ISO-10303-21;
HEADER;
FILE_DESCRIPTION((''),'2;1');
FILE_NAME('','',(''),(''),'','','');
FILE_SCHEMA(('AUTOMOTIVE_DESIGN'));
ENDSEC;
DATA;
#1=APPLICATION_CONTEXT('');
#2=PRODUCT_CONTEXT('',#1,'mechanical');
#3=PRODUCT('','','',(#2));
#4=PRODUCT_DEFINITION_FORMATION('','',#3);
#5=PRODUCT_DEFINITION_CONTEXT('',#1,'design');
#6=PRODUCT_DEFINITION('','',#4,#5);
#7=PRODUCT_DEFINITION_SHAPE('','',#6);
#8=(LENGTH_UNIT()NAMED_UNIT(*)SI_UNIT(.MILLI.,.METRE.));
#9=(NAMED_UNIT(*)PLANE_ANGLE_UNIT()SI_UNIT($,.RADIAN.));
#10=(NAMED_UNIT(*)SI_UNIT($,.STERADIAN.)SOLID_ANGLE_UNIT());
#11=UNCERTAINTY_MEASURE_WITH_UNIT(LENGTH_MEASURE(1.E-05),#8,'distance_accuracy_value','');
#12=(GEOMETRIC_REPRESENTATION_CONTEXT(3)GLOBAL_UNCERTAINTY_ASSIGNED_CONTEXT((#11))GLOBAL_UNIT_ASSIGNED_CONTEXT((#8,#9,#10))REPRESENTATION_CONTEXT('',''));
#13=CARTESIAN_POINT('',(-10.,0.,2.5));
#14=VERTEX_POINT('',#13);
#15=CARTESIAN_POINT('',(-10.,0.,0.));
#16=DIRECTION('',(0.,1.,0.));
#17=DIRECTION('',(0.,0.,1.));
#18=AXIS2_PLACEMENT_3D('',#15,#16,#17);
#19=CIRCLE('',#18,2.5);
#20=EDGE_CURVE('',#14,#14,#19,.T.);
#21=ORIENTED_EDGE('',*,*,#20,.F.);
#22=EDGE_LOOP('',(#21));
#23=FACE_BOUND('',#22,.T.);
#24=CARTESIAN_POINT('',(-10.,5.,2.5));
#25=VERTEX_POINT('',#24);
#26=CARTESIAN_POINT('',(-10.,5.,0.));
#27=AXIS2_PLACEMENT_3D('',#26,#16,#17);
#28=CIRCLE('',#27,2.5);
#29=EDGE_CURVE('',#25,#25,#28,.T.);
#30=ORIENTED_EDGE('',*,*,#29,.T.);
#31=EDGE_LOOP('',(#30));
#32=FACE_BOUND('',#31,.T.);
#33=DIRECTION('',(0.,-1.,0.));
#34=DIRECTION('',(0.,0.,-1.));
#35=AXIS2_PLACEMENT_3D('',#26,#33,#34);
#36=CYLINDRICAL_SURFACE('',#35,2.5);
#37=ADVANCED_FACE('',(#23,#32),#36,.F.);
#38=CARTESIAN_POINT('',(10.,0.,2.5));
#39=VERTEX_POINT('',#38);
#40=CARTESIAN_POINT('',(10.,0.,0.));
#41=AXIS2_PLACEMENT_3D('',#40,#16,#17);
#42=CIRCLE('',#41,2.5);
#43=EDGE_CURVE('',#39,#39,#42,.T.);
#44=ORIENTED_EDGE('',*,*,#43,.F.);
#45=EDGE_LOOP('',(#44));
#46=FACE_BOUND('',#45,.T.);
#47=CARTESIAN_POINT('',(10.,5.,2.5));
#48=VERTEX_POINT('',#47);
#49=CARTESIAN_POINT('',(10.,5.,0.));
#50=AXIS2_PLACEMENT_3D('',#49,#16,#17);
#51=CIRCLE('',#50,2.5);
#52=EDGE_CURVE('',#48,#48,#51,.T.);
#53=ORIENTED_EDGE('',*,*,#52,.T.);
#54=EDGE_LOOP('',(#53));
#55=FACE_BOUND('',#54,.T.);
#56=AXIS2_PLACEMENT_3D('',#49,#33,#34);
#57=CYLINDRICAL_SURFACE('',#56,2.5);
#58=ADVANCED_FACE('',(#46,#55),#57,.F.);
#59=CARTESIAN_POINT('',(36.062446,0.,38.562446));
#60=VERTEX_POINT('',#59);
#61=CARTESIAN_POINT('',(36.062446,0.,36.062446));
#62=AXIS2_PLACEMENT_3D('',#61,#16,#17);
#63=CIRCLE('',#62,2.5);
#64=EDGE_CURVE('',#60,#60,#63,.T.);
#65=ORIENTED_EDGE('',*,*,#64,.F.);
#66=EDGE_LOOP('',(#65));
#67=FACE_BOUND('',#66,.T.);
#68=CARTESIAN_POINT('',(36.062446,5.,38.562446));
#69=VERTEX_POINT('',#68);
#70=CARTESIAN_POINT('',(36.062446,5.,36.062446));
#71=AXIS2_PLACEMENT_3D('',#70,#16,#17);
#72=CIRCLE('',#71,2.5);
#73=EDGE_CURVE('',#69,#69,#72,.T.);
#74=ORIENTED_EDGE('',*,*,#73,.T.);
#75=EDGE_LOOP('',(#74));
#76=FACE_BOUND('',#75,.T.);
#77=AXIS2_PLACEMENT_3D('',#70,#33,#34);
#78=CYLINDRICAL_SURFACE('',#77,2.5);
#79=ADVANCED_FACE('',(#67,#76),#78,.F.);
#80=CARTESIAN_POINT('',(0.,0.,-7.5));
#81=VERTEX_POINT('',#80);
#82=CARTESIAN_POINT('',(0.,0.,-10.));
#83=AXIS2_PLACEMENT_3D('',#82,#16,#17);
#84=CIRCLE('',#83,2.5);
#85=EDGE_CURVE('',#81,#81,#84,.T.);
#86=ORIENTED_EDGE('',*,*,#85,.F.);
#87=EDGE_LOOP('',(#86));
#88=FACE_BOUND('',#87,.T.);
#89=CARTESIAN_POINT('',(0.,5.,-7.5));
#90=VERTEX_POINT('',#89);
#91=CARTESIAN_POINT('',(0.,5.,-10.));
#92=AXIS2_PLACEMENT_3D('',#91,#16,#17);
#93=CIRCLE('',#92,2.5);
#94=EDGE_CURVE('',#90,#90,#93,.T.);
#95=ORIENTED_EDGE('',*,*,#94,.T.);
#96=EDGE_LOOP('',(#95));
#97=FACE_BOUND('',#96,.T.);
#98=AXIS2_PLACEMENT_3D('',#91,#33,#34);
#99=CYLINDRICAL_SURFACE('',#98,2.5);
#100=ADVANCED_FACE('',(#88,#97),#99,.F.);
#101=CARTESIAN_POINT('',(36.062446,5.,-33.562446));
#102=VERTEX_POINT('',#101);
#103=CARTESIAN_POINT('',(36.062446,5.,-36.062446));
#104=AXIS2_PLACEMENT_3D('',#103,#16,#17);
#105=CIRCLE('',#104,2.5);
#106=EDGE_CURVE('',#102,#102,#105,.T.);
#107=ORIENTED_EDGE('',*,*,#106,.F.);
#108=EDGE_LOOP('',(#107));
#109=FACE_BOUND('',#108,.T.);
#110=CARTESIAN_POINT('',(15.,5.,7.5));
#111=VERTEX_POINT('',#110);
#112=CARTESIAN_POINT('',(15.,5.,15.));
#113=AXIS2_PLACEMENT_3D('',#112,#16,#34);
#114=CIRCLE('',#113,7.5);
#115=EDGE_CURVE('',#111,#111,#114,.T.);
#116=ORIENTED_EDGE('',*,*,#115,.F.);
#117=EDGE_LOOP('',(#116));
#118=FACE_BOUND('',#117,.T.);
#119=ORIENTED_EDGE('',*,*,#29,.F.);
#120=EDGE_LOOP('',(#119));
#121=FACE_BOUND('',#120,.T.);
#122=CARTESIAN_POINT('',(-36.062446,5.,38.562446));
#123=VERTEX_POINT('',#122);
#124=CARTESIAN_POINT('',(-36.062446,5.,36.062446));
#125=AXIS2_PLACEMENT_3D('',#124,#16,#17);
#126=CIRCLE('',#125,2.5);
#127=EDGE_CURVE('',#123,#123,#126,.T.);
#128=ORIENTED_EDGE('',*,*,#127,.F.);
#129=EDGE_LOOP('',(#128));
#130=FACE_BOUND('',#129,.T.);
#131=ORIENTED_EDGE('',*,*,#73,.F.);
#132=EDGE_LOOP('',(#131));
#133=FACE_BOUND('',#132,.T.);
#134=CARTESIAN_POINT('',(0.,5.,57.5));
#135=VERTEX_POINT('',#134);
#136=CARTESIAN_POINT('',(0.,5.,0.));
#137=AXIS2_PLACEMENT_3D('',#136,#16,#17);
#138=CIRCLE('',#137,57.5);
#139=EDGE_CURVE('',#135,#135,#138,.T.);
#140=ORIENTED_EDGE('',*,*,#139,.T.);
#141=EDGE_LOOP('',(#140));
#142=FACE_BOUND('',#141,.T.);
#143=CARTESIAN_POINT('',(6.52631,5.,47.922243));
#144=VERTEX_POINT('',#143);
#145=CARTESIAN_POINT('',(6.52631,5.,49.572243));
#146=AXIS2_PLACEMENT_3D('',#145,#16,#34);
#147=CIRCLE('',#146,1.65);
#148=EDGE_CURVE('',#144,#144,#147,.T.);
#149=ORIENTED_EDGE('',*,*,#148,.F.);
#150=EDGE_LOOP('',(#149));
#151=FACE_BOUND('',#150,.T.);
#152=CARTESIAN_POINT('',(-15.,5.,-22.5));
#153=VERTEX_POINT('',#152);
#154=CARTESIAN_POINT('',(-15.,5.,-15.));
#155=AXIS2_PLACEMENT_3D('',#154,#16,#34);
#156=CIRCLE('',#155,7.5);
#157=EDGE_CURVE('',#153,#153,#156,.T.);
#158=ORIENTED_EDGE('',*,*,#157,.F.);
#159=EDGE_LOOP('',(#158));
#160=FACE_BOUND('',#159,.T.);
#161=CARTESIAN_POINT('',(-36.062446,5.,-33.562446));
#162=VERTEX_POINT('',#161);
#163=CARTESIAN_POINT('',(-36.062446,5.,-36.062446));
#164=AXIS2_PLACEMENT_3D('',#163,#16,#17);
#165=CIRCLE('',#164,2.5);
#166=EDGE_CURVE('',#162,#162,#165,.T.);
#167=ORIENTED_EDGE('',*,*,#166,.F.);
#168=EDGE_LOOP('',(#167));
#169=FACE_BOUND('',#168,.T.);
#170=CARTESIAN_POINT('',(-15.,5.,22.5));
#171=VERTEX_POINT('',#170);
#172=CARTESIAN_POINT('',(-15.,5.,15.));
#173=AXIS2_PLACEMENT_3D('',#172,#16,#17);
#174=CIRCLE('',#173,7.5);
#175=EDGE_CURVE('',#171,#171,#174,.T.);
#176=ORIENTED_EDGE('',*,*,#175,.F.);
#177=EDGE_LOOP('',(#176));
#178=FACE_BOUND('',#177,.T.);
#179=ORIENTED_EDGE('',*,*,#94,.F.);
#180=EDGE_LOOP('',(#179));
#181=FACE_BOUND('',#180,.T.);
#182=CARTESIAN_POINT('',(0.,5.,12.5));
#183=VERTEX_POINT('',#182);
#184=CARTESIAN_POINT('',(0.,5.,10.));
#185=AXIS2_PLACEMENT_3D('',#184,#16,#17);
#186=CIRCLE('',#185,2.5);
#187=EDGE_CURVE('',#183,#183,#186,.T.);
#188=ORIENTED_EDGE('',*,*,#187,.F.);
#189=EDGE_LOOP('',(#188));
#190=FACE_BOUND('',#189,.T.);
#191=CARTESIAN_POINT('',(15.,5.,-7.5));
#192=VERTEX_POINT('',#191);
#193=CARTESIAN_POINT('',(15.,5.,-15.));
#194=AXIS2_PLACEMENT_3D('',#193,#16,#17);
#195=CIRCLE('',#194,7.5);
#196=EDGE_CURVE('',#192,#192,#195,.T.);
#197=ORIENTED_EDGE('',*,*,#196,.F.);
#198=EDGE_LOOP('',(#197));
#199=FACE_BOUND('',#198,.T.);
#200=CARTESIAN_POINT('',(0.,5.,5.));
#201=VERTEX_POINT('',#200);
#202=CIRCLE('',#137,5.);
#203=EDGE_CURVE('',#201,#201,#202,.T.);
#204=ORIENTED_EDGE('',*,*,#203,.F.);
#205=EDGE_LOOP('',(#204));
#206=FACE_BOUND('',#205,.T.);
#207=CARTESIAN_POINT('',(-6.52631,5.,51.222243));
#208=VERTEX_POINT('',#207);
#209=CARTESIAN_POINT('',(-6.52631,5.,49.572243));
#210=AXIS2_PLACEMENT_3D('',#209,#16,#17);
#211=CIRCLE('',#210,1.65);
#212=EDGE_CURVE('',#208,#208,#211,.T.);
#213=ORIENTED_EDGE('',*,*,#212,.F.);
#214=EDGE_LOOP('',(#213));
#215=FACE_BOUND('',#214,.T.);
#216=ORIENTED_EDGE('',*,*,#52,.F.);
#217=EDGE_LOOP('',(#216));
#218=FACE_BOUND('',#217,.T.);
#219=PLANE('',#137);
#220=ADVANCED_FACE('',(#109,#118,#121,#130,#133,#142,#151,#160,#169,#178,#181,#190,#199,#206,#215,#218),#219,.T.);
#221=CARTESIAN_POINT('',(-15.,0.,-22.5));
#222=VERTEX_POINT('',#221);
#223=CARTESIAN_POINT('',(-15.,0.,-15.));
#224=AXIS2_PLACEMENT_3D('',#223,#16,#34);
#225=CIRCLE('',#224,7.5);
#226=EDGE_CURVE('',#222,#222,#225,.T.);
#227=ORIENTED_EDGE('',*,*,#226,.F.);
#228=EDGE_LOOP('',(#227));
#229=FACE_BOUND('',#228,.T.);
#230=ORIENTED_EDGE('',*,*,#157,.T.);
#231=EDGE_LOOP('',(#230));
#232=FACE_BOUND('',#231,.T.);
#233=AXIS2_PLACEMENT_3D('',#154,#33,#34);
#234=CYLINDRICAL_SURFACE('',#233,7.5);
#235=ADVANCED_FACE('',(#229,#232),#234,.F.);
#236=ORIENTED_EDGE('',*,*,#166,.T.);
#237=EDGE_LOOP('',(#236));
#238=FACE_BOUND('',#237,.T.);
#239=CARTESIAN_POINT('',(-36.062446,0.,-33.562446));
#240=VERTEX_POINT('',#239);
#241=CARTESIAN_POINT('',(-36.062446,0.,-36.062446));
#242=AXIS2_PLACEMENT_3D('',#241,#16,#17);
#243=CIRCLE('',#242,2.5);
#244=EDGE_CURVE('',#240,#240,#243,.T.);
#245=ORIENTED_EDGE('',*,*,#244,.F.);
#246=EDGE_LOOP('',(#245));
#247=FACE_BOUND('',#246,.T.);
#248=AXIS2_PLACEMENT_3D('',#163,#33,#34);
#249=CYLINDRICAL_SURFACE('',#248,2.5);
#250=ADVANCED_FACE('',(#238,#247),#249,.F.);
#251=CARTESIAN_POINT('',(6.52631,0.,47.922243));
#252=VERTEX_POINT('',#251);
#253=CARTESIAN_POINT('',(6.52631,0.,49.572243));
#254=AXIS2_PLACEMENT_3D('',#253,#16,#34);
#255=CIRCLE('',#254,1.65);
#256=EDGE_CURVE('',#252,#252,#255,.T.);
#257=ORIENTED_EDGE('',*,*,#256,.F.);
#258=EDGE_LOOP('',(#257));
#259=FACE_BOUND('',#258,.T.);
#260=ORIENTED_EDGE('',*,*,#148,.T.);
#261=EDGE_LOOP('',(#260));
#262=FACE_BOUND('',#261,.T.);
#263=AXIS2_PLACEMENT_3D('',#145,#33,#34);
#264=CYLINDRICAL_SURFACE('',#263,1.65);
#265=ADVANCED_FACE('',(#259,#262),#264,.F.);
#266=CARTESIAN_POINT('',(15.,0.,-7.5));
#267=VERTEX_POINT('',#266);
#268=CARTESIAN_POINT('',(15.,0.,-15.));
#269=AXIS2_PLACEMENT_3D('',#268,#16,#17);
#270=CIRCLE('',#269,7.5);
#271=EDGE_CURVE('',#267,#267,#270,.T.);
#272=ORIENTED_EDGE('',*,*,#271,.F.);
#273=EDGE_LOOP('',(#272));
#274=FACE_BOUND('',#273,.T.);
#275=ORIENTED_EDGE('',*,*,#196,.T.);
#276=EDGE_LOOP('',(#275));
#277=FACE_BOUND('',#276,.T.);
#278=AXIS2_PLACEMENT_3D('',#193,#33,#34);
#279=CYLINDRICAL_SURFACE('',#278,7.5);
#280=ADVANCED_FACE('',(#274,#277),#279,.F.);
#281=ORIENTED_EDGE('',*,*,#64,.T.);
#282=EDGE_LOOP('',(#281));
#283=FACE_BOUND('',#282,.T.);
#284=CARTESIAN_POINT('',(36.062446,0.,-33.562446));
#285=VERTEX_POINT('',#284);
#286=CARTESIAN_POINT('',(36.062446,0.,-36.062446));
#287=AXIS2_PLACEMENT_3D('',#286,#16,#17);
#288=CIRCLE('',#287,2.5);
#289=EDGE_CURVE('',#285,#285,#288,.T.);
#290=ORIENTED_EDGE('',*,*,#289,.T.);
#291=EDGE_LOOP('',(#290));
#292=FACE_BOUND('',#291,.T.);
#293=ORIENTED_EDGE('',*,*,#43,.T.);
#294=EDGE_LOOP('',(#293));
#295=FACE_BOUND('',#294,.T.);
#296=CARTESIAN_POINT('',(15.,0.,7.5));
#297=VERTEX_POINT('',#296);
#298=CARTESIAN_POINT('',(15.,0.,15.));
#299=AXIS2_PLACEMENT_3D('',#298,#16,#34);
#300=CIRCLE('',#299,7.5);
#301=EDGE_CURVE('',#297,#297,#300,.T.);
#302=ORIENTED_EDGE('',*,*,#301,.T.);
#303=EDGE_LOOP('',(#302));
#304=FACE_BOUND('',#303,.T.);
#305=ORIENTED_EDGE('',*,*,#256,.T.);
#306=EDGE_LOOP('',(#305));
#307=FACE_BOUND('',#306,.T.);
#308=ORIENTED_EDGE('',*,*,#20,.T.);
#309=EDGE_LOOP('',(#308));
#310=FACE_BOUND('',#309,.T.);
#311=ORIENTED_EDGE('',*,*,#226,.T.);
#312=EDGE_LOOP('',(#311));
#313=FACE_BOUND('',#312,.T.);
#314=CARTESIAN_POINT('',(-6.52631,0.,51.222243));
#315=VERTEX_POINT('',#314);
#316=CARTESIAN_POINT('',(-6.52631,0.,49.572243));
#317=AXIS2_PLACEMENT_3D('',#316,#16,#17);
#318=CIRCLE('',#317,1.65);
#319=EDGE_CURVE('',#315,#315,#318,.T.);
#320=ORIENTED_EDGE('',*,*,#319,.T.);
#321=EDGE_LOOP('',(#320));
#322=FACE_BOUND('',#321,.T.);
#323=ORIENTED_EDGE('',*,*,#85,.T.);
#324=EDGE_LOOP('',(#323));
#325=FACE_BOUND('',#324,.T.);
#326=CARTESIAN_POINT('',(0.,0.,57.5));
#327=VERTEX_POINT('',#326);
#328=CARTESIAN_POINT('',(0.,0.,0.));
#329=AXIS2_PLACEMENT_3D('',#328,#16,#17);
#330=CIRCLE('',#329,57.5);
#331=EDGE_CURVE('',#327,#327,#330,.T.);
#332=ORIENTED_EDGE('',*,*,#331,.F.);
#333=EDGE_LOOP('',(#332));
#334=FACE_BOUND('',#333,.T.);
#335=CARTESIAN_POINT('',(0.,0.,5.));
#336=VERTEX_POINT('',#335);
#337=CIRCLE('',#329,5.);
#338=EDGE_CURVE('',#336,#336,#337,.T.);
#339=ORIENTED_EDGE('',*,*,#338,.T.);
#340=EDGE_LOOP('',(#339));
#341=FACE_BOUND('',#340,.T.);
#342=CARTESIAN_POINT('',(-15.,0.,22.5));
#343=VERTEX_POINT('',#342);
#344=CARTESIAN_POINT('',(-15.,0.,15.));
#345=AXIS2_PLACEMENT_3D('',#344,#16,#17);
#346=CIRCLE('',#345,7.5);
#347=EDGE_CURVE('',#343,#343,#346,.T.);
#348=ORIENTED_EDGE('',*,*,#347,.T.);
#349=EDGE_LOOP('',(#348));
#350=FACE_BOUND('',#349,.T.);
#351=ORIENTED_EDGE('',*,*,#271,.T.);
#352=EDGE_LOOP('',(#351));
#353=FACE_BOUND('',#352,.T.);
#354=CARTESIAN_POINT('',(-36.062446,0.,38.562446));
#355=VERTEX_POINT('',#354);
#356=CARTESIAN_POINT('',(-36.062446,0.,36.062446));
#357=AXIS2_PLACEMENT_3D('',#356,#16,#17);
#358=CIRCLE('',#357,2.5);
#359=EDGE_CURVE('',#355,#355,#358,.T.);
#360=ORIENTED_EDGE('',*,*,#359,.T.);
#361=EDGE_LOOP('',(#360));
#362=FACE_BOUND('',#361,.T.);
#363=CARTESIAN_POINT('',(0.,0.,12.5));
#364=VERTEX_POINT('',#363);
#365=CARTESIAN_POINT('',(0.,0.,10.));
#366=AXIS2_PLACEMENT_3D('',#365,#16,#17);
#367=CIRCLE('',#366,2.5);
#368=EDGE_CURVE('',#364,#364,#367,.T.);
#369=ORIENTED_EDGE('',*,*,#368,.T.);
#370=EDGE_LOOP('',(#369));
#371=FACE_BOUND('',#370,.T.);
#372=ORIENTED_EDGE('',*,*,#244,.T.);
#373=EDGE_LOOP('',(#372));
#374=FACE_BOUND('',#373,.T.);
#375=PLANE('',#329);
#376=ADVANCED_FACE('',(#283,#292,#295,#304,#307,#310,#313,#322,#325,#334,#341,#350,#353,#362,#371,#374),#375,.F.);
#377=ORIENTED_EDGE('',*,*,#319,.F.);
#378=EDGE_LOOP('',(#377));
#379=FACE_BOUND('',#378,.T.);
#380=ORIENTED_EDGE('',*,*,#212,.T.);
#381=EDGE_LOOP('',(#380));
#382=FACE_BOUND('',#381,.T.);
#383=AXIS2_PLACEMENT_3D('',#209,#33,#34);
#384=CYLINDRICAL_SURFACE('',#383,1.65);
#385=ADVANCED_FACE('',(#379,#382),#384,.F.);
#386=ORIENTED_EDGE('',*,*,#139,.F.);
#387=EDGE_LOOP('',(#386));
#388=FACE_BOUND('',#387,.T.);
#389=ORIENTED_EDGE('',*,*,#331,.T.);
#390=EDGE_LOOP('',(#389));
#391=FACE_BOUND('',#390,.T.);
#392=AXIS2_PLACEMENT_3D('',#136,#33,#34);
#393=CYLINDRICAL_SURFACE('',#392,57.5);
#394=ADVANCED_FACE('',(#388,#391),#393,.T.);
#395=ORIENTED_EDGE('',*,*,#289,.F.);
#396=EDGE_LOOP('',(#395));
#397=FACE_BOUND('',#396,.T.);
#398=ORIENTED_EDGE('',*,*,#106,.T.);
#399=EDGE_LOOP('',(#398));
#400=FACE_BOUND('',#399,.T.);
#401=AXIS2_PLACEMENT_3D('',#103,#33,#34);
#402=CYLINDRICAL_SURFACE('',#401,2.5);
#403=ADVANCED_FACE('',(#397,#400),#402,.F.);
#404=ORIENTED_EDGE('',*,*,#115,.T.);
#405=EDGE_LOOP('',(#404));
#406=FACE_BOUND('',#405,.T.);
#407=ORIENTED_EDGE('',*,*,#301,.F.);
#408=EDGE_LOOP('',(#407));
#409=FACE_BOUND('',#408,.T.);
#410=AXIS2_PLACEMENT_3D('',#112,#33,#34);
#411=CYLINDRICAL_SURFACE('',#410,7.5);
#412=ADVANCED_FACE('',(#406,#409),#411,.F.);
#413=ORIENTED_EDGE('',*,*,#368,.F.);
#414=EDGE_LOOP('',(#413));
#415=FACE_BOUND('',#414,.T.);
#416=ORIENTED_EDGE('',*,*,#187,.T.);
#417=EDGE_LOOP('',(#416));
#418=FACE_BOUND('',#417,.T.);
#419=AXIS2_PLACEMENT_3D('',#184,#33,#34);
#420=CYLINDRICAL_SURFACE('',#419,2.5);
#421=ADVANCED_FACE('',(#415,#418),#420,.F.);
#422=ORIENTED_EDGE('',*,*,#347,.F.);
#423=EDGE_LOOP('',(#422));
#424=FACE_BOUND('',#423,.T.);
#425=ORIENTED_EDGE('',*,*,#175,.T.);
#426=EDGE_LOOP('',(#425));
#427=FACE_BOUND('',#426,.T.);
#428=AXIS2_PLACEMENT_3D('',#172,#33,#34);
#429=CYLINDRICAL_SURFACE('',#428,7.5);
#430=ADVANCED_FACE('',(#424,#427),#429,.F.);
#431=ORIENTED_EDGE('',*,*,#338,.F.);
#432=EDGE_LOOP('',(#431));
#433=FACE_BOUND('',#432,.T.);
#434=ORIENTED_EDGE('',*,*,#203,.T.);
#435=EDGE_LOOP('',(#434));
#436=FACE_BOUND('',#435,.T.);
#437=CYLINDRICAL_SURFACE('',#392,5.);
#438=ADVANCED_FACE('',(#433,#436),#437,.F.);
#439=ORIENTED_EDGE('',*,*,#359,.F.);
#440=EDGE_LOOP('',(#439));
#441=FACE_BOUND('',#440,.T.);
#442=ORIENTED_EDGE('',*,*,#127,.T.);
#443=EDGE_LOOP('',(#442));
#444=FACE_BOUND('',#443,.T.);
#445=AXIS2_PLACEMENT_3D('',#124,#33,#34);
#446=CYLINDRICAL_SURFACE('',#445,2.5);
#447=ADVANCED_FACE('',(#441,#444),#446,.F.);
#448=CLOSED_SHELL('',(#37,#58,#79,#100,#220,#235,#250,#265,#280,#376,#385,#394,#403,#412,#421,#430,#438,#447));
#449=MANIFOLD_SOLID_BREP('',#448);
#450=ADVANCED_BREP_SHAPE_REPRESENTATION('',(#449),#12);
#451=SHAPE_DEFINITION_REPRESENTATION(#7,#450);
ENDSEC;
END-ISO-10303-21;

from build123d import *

# Parameters (mm, degrees)
SKETCH_1_R      = 57.5
SKETCH_1_R_2    = 2.5
SKETCH_1_R_3    = 5
SKETCH_1_R_4    = 7.5
SKETCH_1_R_5    = 1.65
EXTRUDE_1_DEPTH = 5


with BuildPart() as part:
    # ｽｹｯﾁ1 → ﾎﾞｽ - 押し出し1 (new body)
    with BuildSketch(Plane(origin=(0, 0, 0), x_dir=(1, 0, 0), z_dir=(0, 1, 0))):
        with Locations(Location((0, 0, 0), (0, 0, 270))):
            Circle(SKETCH_1_R)
        with Locations(Location((10, 0, 0), (0, 0, 270))):
            Circle(SKETCH_1_R_2, mode=Mode.SUBTRACT)
        with Locations(Location((0, 0, 0), (0, 0, 270))):
            Circle(SKETCH_1_R_3, mode=Mode.SUBTRACT)
        with Locations(Location((0, -10, 0), (0, 0, 270))):
            Circle(SKETCH_1_R_2, mode=Mode.SUBTRACT)
        with Locations(Location((-10, 0, 0), (0, 0, 270))):
            Circle(SKETCH_1_R_2, mode=Mode.SUBTRACT)
        with Locations(Location((0, 10, 0), (0, 0, 270))):
            Circle(SKETCH_1_R_2, mode=Mode.SUBTRACT)
        with Locations(Location((15, 15, 0), (0, 0, 270))):
            Circle(SKETCH_1_R_4, mode=Mode.SUBTRACT)
        with Locations(Location((15, -15, 0), (0, 0, 90))):
            Circle(SKETCH_1_R_4, mode=Mode.SUBTRACT)
        with Locations(Location((-15, -15, 0), (0, 0, 270))):
            Circle(SKETCH_1_R_4, mode=Mode.SUBTRACT)
        with Locations(Location((-15, 15, 0), (0, 0, 90))):
            Circle(SKETCH_1_R_4, mode=Mode.SUBTRACT)
        with Locations(Location((-6.526309611, -49.572243069, 0), (0, 0, 270))):
            Circle(SKETCH_1_R_5, mode=Mode.SUBTRACT)
        with Locations(Location((6.526309611, -49.572243069, 0), (0, 0, 90))):
            Circle(SKETCH_1_R_5, mode=Mode.SUBTRACT)
        with Locations(Location((-36.062445841, 36.062445841, 0), (0, 0, 270))):
            Circle(SKETCH_1_R_2, mode=Mode.SUBTRACT)
        with Locations(Location((36.062445841, 36.062445841, 0), (0, 0, 270))):
            Circle(SKETCH_1_R_2, mode=Mode.SUBTRACT)
        with Locations(Location((36.062445841, -36.062445841, 0), (0, 0, 270))):
            Circle(SKETCH_1_R_2, mode=Mode.SUBTRACT)
        with Locations(Location((-36.062445841, -36.062445841, 0), (0, 0, 270))):
            Circle(SKETCH_1_R_2, mode=Mode.SUBTRACT)
    extrude(amount=EXTRUDE_1_DEPTH)


solid = part.part
